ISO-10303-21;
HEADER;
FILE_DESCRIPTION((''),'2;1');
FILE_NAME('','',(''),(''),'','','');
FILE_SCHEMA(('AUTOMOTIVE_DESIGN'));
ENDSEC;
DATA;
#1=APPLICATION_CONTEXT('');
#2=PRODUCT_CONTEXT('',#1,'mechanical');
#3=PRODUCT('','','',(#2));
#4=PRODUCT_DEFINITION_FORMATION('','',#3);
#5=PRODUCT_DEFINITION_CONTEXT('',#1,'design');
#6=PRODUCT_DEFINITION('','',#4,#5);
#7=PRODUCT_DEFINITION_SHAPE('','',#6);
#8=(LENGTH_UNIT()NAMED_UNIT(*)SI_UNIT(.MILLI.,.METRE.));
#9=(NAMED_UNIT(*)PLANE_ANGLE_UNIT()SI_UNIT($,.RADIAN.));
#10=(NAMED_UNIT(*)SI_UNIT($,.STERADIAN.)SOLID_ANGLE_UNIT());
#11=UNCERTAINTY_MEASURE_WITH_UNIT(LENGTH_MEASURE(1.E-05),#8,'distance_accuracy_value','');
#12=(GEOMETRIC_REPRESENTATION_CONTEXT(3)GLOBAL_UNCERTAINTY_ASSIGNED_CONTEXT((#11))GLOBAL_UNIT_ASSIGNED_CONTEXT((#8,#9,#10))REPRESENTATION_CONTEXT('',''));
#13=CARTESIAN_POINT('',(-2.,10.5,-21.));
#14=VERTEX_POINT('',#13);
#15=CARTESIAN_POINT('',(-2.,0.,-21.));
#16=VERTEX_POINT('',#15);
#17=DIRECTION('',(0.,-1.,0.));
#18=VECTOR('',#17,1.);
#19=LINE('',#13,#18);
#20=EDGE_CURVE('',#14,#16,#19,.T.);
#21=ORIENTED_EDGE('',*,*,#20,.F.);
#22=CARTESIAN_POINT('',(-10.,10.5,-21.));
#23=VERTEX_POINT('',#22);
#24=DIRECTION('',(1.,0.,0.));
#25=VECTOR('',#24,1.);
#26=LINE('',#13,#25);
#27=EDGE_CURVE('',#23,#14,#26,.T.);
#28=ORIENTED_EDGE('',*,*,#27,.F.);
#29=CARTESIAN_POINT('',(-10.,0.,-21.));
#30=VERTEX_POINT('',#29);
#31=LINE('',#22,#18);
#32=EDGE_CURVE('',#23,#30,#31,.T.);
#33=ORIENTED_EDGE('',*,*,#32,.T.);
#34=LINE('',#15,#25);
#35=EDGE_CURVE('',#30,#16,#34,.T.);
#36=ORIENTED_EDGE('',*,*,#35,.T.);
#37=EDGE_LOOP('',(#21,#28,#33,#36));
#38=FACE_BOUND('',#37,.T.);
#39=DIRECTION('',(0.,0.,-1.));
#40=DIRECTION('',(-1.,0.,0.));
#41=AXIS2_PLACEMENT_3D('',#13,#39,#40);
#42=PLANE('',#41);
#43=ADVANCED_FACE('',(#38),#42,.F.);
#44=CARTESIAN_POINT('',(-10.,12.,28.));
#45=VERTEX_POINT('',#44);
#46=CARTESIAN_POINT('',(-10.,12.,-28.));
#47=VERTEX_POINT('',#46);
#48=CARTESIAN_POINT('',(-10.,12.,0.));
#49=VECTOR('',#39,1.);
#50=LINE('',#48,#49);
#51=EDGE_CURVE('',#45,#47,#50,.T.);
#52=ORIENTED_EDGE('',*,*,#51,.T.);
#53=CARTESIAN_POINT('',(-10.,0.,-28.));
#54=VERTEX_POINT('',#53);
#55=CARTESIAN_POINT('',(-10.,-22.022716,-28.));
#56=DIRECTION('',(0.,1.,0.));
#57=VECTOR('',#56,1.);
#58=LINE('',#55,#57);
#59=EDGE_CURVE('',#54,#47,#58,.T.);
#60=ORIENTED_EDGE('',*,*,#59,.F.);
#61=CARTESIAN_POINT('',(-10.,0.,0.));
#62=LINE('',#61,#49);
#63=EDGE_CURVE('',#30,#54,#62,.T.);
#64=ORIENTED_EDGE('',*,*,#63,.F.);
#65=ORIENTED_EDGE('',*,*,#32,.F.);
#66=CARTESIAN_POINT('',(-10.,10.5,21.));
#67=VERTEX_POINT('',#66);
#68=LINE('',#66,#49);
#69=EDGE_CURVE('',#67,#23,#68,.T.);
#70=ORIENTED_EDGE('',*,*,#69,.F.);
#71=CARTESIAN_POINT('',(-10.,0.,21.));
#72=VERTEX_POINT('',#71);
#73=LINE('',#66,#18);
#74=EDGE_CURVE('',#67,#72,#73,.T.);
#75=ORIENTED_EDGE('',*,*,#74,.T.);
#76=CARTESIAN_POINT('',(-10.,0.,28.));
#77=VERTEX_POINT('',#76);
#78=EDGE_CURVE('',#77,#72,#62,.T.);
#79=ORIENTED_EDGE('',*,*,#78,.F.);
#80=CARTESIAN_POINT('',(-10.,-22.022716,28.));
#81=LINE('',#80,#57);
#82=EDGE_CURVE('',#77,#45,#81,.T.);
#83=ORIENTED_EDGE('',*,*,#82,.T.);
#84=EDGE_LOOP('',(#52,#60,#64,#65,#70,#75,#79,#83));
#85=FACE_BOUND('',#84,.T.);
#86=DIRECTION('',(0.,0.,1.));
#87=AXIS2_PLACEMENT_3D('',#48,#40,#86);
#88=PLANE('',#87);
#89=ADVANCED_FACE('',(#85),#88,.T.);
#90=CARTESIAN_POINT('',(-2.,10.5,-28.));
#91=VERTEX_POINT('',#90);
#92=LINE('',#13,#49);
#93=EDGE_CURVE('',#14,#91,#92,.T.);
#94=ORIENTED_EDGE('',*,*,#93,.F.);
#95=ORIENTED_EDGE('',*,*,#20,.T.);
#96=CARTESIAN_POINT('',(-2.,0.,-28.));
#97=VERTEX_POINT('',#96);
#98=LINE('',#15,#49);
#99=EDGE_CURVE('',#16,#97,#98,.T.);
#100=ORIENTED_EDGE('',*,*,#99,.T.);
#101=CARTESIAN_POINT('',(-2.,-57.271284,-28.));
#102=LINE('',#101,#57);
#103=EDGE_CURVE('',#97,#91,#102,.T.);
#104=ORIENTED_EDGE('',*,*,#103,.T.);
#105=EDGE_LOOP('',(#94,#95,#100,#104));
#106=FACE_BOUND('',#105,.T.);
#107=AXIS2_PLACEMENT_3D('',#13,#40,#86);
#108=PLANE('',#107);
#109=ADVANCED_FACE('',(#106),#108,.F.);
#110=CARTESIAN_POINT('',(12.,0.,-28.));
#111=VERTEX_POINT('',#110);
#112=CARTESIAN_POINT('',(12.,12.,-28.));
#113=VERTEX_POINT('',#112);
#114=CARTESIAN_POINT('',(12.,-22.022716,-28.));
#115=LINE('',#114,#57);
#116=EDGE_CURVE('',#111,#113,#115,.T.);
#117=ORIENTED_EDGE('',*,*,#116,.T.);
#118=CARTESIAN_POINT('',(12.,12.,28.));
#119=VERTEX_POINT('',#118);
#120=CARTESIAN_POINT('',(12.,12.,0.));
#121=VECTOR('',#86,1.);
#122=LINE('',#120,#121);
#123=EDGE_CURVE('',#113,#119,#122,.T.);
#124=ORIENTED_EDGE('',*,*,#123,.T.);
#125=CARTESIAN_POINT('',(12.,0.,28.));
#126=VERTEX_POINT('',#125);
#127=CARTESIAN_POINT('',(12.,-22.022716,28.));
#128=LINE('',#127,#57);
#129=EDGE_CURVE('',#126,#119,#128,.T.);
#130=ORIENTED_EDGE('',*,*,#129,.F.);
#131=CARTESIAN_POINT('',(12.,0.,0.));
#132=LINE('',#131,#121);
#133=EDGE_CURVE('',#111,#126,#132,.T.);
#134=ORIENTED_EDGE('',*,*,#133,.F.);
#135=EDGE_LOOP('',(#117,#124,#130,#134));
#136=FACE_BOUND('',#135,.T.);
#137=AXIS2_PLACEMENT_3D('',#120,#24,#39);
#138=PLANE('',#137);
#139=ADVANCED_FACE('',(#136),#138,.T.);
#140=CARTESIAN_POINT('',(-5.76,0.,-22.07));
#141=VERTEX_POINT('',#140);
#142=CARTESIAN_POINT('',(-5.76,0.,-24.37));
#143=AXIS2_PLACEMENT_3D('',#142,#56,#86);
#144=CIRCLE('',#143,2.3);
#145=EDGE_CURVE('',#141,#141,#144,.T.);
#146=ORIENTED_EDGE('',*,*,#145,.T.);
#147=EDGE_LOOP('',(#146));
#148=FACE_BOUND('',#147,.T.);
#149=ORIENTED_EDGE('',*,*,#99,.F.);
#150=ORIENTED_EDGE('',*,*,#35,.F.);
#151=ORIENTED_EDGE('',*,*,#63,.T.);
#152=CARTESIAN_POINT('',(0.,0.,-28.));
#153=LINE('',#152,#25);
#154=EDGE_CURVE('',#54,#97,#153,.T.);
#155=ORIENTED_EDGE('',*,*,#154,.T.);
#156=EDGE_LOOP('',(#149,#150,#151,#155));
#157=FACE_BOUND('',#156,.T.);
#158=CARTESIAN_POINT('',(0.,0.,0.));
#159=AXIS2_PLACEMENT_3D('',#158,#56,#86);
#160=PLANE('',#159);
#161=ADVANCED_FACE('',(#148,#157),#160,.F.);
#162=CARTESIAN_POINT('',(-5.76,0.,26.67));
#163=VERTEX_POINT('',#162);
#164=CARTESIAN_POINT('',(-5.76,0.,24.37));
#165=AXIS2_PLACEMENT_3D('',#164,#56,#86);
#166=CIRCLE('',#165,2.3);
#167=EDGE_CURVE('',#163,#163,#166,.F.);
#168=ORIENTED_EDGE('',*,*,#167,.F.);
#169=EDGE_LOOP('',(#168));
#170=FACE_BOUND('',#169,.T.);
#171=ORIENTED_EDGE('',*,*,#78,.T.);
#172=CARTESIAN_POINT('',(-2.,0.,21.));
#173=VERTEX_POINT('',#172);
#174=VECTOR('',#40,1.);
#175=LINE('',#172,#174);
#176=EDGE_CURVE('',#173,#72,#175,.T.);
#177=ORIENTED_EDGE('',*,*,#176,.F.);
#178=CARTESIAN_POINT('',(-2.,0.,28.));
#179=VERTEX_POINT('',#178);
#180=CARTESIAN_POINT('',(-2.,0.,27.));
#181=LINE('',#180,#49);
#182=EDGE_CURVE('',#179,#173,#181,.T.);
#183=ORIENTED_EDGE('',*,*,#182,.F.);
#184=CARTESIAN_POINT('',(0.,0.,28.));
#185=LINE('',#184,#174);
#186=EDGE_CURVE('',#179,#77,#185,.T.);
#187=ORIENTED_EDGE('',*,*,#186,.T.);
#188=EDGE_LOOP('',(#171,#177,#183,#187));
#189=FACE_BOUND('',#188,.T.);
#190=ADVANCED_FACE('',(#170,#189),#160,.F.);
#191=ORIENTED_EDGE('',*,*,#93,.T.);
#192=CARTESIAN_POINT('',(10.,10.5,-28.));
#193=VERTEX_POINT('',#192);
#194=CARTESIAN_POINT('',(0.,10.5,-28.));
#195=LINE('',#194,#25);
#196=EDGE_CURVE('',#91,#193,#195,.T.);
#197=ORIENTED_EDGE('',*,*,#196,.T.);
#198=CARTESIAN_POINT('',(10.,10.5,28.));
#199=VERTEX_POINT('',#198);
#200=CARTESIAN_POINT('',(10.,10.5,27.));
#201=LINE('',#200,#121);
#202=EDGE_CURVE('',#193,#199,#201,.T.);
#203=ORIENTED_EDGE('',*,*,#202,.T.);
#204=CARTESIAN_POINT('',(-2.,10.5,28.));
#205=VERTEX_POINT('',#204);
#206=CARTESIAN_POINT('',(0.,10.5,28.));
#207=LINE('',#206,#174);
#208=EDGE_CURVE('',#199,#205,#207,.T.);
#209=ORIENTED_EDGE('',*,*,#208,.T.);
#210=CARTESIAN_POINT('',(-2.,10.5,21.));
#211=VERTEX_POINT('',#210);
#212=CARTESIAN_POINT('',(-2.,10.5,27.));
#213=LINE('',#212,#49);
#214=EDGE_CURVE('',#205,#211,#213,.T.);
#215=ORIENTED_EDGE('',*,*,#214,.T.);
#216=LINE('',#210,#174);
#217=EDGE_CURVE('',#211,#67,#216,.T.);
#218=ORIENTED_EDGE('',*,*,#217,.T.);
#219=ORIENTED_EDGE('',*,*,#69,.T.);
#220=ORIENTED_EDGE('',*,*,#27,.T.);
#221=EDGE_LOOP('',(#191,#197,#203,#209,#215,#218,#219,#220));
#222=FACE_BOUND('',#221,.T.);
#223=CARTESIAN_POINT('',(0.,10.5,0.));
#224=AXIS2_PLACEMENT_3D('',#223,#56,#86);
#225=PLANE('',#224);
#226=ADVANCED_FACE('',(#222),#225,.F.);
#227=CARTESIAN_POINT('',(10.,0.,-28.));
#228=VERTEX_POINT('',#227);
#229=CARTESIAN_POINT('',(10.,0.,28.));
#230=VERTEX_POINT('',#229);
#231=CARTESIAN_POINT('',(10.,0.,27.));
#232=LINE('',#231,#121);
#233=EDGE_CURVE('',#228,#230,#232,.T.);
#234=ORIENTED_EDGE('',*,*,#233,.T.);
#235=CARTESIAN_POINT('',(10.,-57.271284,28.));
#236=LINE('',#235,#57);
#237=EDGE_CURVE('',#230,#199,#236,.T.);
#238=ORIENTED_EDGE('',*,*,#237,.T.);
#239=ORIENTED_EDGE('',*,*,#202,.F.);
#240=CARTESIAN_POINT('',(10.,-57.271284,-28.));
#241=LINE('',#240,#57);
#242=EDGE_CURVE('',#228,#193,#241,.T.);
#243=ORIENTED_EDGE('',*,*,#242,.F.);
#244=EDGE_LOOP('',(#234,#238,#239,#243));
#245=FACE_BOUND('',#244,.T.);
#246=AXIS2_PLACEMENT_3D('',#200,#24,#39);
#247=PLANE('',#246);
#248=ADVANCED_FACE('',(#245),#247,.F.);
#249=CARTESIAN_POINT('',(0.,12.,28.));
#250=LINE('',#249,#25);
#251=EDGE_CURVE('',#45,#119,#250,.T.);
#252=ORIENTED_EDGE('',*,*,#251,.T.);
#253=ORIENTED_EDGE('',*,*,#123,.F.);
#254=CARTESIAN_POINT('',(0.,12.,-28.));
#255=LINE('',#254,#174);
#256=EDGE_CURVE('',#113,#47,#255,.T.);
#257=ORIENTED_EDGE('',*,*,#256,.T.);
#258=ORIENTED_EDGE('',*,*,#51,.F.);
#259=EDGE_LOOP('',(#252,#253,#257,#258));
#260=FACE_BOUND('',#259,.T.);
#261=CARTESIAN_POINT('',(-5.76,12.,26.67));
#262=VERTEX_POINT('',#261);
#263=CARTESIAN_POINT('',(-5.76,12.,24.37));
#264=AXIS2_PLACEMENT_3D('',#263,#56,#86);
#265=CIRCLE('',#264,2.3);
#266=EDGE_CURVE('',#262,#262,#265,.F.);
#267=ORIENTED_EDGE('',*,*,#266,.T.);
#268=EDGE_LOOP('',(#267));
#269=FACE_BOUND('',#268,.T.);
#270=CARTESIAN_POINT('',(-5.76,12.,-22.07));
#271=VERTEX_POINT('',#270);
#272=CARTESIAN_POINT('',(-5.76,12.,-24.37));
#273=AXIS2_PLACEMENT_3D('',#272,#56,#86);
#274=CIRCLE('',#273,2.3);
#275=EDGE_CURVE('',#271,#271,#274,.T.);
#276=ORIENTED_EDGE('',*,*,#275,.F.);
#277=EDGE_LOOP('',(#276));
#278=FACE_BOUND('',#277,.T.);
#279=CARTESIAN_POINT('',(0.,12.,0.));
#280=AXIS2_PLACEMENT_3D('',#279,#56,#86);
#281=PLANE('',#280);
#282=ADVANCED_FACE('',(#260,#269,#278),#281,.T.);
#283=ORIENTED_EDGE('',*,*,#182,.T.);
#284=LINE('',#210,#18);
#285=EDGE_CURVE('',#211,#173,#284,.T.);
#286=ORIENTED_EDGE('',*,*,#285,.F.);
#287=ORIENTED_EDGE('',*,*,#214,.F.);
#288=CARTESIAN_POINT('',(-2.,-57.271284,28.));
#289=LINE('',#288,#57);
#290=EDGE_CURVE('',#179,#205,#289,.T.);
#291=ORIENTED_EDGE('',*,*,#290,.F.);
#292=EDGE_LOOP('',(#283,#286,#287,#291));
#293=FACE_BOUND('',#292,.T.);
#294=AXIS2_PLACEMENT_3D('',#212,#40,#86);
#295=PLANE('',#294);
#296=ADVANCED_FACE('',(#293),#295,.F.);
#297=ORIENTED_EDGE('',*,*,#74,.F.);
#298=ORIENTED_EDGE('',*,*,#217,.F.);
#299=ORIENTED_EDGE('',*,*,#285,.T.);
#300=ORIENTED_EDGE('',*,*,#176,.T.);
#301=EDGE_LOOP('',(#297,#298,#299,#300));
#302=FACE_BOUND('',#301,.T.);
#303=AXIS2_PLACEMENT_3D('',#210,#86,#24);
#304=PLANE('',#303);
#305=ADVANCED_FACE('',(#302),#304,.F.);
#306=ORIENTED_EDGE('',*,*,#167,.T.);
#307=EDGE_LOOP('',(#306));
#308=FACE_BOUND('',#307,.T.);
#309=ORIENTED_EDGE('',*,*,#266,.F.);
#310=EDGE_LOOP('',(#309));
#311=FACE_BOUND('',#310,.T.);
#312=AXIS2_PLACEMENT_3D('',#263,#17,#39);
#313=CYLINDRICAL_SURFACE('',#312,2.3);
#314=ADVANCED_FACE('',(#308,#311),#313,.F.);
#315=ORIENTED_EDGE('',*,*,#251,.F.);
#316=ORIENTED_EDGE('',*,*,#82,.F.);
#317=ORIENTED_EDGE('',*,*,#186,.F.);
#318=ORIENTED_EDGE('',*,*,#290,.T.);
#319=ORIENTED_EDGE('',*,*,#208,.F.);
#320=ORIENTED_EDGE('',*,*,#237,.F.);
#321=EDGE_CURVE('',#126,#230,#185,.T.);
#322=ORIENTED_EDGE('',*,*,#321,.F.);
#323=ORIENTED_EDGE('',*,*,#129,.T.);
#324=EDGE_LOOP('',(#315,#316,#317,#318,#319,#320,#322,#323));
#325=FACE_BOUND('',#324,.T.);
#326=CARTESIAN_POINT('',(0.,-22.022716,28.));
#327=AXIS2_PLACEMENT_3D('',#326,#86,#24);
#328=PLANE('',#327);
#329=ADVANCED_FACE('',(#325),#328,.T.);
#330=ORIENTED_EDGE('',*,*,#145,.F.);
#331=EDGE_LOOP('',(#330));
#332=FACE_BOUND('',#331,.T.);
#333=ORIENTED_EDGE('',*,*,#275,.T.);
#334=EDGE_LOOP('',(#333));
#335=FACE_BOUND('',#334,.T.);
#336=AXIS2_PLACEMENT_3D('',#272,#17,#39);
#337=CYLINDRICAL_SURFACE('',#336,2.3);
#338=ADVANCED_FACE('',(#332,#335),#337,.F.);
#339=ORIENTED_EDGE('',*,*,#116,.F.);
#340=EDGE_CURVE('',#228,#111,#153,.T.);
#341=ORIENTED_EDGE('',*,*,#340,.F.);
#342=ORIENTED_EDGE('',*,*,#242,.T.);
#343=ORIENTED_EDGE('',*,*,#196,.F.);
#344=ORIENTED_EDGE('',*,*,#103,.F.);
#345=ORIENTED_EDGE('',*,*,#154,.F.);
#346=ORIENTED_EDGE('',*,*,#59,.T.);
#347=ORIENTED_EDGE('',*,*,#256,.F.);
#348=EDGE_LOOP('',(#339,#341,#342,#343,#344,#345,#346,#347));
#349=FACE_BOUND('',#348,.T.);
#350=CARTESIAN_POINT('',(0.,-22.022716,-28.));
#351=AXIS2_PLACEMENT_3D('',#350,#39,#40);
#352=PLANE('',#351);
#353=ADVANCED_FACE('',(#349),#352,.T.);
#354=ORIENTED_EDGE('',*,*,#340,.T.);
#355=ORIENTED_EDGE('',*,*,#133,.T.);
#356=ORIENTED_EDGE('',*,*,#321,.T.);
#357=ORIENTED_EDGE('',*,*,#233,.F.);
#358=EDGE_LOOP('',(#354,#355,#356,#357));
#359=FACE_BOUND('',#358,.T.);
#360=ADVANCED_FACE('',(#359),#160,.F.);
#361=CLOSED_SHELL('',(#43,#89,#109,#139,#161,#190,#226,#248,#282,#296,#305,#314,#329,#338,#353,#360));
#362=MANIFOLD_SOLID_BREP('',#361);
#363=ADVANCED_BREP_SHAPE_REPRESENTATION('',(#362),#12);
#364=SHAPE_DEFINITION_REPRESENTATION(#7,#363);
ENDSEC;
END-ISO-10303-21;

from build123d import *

# Parameters (mm, degrees)
SKETCH1_R           = 2.3
BOSS_EXTRUDE2_DEPTH = 12
CUT_EXTRUDE1_DEPTH  = 10.5
BOSS_EXTRUDE3_START = -1.5
SKETCH4_W           = 22
SKETCH4_H           = 1
BOSS_EXTRUDE3_DEPTH = 12
SKETCH5_W           = 12
SKETCH5_H           = 56
CUT_EXTRUDE2_DEPTH  = 10.5


with BuildPart() as part:
    # Sketch1 → Boss-Extrude2 (new body)
    with BuildSketch(Plane(origin=(0, 0, 0), x_dir=(1, 0, 0), z_dir=(0, 1, 0))):
        Polygon((12, 27), (12, -27), (10, -27), (-10, -27), (-10, -20), (-10, 20), (-10, 27), (10, 27), align=None)
        with Locations(Location((-5.76, 24.37, 0), (0, 0, 270))):
            Circle(SKETCH1_R, mode=Mode.SUBTRACT)
        with Locations(Location((-5.76, -24.37, 0), (0, 0, 270))):
            Circle(SKETCH1_R, mode=Mode.SUBTRACT)
    extrude(amount=BOSS_EXTRUDE2_DEPTH)

    # Sketch3 → Cut-Extrude1 (cut)
    with BuildSketch(Plane.XZ):
        Polygon((10, 27), (-2, 27), (-2, 21), (-10, 21), (-10, -21), (-2, -21), (-2, -27), (10, -27), align=None)
    extrude(amount=-CUT_EXTRUDE1_DEPTH, mode=Mode.SUBTRACT)

    # Sketch4 → Boss-Extrude3 (add)
    with BuildSketch(Plane.XZ.offset(-10.5).offset(BOSS_EXTRUDE3_START)):
        with Locations((1, 27.5)):
            Rectangle(SKETCH4_W, SKETCH4_H)
        with Locations((1, -27.5)):
            Rectangle(SKETCH4_W, SKETCH4_H)
    extrude(amount=BOSS_EXTRUDE3_DEPTH)

    # Sketch5 → Cut-Extrude2 (cut)
    with BuildSketch(Plane.XZ.offset(-10.5)):
        with Locations((4, 0)):
            Rectangle(SKETCH5_W, SKETCH5_H)
    extrude(amount=CUT_EXTRUDE2_DEPTH, mode=Mode.SUBTRACT)


solid = part.part
